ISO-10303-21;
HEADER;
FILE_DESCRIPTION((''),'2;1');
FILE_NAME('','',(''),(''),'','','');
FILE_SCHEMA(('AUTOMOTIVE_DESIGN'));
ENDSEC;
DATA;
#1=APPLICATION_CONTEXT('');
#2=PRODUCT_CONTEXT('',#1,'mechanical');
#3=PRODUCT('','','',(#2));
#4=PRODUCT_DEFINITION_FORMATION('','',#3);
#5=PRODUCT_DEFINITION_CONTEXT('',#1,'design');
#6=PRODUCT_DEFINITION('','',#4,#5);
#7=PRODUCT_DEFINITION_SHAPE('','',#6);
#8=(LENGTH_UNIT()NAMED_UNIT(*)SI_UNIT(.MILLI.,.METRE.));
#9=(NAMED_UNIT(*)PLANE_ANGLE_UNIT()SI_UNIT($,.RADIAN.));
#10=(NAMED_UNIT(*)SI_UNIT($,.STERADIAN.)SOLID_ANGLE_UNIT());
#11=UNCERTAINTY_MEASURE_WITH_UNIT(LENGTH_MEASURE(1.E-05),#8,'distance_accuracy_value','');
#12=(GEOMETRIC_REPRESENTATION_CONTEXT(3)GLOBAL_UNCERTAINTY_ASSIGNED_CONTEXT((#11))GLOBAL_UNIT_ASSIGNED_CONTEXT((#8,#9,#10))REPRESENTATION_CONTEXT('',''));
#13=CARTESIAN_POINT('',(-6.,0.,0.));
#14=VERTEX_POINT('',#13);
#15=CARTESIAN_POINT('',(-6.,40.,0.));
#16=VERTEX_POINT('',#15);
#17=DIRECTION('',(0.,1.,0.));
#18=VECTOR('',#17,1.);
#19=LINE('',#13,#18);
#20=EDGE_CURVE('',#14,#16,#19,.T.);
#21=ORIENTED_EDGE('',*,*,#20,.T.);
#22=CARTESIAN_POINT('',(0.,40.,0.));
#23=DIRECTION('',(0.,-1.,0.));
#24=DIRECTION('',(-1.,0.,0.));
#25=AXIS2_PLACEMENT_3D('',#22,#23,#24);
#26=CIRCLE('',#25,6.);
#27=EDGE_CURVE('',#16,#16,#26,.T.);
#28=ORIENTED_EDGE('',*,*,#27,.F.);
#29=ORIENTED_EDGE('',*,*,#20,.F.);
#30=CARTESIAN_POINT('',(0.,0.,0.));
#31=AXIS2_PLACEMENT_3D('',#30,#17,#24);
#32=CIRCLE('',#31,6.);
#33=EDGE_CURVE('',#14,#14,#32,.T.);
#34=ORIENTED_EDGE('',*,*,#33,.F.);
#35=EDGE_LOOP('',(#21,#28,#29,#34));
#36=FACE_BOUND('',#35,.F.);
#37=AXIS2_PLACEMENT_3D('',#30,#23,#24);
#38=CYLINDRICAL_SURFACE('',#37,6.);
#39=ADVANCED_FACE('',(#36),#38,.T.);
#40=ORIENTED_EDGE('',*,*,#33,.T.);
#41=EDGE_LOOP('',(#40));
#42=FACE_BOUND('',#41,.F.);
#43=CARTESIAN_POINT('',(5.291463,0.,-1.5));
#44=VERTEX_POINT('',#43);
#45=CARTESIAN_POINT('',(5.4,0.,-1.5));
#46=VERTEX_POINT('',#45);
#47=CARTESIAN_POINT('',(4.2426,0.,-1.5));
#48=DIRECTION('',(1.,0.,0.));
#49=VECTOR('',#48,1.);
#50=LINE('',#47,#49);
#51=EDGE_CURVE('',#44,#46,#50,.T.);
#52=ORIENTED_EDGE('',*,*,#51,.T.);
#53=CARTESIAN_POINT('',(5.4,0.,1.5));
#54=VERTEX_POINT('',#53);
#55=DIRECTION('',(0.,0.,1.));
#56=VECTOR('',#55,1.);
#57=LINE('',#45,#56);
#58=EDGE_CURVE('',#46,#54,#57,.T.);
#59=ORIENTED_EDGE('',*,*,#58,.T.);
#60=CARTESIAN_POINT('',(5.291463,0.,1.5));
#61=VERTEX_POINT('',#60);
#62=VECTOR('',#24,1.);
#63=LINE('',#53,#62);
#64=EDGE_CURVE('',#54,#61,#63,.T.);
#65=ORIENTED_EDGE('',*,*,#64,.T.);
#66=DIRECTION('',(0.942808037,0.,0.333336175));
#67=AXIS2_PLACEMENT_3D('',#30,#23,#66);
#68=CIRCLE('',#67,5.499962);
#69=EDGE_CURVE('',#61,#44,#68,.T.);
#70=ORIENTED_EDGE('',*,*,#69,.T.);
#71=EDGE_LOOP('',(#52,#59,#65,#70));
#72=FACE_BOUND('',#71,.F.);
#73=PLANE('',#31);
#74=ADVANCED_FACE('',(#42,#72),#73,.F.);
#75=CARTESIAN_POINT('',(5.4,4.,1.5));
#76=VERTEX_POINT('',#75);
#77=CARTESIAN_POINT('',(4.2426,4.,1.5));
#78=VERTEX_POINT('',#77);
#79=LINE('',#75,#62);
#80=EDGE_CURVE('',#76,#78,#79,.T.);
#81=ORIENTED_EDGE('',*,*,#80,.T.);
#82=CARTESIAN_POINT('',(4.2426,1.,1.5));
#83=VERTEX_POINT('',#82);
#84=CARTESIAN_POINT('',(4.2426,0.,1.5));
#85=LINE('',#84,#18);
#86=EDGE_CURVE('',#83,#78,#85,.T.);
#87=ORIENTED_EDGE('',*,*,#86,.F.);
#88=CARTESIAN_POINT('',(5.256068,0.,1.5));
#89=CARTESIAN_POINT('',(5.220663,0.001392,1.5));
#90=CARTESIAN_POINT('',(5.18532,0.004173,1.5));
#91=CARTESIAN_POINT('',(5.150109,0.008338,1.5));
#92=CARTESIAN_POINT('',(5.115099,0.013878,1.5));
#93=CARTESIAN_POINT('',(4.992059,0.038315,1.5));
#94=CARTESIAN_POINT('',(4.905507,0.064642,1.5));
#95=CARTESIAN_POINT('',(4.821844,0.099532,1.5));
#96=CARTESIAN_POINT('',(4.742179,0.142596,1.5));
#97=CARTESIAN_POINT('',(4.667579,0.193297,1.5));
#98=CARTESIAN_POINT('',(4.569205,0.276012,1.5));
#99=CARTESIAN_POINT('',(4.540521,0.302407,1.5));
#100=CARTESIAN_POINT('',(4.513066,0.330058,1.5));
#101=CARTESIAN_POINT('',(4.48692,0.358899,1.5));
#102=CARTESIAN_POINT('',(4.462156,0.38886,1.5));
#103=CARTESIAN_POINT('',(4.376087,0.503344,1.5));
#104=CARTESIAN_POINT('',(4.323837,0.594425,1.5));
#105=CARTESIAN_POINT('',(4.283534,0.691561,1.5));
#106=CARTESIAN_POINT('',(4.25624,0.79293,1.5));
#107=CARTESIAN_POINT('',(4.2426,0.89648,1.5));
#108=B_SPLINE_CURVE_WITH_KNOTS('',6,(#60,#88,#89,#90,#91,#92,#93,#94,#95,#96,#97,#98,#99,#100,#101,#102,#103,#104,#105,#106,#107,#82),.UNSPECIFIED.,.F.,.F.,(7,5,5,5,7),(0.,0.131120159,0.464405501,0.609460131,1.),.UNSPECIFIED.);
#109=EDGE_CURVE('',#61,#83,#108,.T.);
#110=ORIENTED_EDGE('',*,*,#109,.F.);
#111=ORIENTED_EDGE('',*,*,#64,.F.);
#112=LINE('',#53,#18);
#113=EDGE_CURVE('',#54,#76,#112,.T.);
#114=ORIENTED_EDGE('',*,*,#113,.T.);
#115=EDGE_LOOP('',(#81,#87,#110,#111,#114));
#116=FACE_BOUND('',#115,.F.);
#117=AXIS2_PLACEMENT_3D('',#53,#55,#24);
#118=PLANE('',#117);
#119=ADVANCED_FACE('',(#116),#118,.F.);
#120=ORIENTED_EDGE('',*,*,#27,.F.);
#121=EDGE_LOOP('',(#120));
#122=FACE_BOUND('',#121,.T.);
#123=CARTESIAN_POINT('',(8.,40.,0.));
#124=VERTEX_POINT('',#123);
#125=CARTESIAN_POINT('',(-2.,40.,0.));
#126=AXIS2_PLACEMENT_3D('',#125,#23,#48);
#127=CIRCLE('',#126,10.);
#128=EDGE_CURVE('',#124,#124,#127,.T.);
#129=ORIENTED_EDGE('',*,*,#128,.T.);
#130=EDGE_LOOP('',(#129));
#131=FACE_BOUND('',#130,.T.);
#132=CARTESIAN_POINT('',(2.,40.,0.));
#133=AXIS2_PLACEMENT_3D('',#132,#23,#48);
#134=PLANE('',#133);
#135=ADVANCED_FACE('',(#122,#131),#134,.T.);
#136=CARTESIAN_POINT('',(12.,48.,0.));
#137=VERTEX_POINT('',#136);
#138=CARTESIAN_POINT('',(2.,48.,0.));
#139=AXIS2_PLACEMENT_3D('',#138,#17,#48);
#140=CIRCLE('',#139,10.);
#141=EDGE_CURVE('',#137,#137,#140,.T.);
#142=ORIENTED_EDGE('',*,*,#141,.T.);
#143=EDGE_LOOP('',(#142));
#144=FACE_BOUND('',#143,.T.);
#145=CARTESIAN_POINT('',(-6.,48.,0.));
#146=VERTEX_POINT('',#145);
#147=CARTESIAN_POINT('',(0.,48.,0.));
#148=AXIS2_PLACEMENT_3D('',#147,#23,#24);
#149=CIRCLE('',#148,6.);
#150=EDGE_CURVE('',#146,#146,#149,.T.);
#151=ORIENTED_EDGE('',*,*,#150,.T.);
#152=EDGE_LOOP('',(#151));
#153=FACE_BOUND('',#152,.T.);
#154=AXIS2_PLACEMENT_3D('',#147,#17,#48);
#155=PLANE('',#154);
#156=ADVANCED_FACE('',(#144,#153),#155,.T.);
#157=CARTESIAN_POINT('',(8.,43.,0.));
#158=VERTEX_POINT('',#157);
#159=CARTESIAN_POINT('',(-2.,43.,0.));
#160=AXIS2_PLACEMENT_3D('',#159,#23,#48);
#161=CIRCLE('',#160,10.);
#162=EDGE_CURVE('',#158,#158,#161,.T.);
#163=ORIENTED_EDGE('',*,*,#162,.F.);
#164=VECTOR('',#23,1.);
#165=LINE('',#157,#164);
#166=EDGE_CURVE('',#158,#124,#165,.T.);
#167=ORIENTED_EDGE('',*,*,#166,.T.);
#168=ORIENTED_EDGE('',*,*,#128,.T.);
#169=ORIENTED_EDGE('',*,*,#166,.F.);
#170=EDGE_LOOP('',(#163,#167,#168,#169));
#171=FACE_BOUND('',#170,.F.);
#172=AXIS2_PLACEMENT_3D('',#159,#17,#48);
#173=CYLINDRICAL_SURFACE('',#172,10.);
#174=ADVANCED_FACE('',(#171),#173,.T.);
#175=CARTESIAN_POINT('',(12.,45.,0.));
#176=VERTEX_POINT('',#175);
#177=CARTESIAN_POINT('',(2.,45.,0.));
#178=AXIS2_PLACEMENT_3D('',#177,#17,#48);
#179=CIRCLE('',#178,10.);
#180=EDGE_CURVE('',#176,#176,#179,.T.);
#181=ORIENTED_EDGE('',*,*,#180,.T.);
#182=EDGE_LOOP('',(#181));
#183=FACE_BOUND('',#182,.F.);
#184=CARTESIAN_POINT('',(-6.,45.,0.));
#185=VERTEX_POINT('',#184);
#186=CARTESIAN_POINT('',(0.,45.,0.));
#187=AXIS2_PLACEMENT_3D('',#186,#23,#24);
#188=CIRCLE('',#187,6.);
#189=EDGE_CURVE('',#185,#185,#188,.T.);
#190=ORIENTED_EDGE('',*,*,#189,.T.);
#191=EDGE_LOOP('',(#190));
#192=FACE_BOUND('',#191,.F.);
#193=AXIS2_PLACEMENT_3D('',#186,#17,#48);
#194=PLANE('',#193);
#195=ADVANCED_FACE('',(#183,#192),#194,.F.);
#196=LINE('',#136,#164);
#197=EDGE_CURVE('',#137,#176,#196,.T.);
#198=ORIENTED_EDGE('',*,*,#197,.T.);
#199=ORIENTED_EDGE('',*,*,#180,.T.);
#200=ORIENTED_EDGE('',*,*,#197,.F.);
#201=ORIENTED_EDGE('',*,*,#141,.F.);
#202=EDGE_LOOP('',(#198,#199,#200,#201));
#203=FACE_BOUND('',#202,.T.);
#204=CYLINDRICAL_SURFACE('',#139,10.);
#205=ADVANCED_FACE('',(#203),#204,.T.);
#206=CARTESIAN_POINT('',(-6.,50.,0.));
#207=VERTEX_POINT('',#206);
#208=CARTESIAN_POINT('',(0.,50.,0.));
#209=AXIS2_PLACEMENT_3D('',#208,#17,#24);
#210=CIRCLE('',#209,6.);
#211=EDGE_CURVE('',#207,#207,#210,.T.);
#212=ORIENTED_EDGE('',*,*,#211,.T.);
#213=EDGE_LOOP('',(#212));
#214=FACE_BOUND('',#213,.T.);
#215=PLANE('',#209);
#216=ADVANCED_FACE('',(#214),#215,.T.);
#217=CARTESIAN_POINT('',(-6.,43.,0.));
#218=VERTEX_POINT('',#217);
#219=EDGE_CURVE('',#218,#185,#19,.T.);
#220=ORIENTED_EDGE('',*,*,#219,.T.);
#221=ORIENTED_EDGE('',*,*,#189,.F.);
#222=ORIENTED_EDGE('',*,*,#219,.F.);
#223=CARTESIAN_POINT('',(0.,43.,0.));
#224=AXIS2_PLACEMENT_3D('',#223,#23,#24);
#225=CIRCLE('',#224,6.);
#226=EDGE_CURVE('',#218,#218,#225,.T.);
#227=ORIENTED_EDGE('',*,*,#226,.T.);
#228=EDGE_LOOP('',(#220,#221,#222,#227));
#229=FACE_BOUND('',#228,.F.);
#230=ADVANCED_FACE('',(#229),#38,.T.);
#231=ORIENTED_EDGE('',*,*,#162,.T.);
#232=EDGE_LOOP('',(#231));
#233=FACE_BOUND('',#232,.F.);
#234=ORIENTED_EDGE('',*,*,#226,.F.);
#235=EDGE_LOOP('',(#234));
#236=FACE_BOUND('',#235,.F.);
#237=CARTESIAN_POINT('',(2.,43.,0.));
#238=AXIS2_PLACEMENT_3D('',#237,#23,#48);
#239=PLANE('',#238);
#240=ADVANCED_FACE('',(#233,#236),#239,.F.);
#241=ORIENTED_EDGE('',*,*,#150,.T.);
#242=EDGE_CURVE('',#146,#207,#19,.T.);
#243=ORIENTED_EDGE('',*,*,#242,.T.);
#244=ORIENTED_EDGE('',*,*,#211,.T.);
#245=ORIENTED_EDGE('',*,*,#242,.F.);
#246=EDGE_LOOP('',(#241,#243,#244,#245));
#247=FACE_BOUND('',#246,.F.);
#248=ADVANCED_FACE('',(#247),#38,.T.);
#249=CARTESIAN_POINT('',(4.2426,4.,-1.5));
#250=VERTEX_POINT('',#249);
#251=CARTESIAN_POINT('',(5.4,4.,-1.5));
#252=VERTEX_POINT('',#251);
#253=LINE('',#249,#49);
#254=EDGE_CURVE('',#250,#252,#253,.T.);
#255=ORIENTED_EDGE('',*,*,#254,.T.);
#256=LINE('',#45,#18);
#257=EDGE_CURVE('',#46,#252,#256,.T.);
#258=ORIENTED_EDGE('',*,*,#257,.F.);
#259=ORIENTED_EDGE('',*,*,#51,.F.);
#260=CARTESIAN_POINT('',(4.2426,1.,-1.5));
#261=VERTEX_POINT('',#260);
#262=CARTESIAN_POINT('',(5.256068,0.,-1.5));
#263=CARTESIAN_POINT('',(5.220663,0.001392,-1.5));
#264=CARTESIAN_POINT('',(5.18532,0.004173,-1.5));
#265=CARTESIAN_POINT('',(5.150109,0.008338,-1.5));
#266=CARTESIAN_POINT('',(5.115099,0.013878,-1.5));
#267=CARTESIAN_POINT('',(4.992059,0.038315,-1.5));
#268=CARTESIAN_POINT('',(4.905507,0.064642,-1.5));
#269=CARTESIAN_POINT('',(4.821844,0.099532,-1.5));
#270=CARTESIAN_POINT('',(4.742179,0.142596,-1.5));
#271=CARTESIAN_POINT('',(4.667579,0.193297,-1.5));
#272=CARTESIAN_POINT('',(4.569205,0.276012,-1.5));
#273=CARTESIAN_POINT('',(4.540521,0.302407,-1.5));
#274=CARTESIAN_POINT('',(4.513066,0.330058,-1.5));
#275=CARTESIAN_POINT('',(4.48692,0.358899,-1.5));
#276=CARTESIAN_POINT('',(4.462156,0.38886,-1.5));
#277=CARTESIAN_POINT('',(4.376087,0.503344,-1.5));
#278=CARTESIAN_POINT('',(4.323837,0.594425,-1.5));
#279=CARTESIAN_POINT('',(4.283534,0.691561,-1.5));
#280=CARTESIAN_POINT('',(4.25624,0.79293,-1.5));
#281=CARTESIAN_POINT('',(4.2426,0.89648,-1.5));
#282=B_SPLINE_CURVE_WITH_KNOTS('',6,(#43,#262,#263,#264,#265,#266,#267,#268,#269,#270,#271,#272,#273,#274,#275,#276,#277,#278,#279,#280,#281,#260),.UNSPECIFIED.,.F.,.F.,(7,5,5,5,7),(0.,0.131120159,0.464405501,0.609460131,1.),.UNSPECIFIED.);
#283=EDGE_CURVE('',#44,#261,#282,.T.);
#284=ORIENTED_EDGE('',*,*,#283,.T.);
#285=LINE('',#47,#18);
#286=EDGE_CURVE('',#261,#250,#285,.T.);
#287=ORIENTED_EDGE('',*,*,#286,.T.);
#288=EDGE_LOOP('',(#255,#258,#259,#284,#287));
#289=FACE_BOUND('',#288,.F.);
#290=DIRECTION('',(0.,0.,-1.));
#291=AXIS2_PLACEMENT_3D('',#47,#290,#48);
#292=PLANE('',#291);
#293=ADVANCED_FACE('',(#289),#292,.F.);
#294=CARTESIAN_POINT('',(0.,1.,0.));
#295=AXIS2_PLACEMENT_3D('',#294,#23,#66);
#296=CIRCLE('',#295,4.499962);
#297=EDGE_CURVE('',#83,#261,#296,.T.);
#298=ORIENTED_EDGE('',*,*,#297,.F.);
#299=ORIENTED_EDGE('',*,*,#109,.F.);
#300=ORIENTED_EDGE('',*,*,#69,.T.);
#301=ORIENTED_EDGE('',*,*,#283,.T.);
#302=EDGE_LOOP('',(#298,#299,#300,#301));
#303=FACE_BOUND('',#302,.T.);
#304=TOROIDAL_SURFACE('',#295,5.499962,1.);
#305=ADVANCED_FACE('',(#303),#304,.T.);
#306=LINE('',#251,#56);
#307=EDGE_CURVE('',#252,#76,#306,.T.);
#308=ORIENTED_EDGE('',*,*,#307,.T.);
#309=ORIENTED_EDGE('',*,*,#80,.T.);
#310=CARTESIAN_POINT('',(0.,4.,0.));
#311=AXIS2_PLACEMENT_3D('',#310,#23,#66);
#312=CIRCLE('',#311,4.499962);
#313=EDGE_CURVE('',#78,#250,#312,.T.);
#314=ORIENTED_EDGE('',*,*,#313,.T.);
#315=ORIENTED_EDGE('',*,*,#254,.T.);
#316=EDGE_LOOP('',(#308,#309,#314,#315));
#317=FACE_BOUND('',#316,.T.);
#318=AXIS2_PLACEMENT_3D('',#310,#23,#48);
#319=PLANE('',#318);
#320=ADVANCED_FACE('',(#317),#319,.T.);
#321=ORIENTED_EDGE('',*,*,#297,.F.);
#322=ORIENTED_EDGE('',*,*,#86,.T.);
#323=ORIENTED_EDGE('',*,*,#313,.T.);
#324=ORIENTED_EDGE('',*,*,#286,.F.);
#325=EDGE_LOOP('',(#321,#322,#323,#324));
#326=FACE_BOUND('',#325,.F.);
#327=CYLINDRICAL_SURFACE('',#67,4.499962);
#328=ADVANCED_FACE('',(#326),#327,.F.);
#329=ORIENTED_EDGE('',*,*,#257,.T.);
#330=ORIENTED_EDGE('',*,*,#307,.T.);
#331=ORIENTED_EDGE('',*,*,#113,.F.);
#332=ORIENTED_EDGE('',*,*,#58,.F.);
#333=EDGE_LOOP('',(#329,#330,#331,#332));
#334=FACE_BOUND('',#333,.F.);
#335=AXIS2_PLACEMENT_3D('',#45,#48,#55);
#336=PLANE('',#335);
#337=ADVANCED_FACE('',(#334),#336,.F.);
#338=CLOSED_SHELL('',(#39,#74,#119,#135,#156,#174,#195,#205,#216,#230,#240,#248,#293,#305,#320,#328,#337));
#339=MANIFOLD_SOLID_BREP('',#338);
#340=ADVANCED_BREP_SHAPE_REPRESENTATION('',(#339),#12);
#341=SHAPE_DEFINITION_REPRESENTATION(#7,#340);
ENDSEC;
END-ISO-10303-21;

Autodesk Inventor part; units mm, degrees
ref_plane "YZ Plane" through (0, 0, 0) normal (1, 0, 0) x (0, 1, 0)
ref_plane "XZ Plane" through (0, 0, 0) normal (0, 1, 0) x (-1, 0, 0)
ref_plane "XY Plane" through (0, 0, 0) normal (0, 0, 1) x (1, 0, 0)
sketch "Sketch1" plane through (0, 0, 0) normal (0, 1, 0) x (-1, 0, 0)
  point P0 (0, 0)
sketch "Sketch2" plane through (0, 0, 0) normal (0, 1, 0) x (-1, 0, 0)
  circle A0 centre (0, 0) radius 6
  dimension "d20" = 12
extrude "Extrusion1" add sketch "Sketch2" along normal blind 50
ref_plane "Work Plane1" through (0, 48, 0) normal (0, 1, 0) x (1, 0, 0)
sketch "Sketch3" plane through (0, 48, 0) normal (0, 1, 0) x (1, 0, 0)
  line L0 (0, 0) -> (2, 0)
  circle A0 centre (2, 0) radius 10
  dimension "d4" = 2
  dimension "d5" = 20
extrude "Extrusion2" add sketch "Sketch3" against normal blind 3
ref_plane "Work Plane2" through (2, 43, 0) normal (0, -1, 0) x (1, 0, 0)
sketch "Sketch5" plane through (2, 43, 0) normal (0, -1, 0) x (1, 0, 0)
  line L0 (-2, 0) -> (-4, 0)
  circle A0 centre (-4, 0) radius 10
  dimension "d16" = 2
  dimension "d17" = 20
extrude "Extrusion4" add sketch "Sketch5" along normal blind 3
sketch "Sketch6" plane through (0, 0, 0) normal (0, -1, 0) x (1, 0, 0)
  circle A0 centre (0, 0) radius 3.5
  arc A1 (4.2426, 1.5) -> (4.2426, -1.5) centre (0, 0) ccw
  line L0 (5.4, 1.5) -> (4.2426, 1.5)
  line L1 (4.2426, -1.5) -> (5.4, -1.5)
  line L2 (5.4, -1.5) -> (5.4, 1.5)
  point P0 (0, 0)
  point P1 (0, 0)
extrude "Extrusion5" cut sketch "Sketch6" against normal blind 4 contours A0 | L0 L2 L1 A1
fillet "Fillet1" radius 1 1 edges at (-4.5, 0, 0)
properties part number "input_shaft"
